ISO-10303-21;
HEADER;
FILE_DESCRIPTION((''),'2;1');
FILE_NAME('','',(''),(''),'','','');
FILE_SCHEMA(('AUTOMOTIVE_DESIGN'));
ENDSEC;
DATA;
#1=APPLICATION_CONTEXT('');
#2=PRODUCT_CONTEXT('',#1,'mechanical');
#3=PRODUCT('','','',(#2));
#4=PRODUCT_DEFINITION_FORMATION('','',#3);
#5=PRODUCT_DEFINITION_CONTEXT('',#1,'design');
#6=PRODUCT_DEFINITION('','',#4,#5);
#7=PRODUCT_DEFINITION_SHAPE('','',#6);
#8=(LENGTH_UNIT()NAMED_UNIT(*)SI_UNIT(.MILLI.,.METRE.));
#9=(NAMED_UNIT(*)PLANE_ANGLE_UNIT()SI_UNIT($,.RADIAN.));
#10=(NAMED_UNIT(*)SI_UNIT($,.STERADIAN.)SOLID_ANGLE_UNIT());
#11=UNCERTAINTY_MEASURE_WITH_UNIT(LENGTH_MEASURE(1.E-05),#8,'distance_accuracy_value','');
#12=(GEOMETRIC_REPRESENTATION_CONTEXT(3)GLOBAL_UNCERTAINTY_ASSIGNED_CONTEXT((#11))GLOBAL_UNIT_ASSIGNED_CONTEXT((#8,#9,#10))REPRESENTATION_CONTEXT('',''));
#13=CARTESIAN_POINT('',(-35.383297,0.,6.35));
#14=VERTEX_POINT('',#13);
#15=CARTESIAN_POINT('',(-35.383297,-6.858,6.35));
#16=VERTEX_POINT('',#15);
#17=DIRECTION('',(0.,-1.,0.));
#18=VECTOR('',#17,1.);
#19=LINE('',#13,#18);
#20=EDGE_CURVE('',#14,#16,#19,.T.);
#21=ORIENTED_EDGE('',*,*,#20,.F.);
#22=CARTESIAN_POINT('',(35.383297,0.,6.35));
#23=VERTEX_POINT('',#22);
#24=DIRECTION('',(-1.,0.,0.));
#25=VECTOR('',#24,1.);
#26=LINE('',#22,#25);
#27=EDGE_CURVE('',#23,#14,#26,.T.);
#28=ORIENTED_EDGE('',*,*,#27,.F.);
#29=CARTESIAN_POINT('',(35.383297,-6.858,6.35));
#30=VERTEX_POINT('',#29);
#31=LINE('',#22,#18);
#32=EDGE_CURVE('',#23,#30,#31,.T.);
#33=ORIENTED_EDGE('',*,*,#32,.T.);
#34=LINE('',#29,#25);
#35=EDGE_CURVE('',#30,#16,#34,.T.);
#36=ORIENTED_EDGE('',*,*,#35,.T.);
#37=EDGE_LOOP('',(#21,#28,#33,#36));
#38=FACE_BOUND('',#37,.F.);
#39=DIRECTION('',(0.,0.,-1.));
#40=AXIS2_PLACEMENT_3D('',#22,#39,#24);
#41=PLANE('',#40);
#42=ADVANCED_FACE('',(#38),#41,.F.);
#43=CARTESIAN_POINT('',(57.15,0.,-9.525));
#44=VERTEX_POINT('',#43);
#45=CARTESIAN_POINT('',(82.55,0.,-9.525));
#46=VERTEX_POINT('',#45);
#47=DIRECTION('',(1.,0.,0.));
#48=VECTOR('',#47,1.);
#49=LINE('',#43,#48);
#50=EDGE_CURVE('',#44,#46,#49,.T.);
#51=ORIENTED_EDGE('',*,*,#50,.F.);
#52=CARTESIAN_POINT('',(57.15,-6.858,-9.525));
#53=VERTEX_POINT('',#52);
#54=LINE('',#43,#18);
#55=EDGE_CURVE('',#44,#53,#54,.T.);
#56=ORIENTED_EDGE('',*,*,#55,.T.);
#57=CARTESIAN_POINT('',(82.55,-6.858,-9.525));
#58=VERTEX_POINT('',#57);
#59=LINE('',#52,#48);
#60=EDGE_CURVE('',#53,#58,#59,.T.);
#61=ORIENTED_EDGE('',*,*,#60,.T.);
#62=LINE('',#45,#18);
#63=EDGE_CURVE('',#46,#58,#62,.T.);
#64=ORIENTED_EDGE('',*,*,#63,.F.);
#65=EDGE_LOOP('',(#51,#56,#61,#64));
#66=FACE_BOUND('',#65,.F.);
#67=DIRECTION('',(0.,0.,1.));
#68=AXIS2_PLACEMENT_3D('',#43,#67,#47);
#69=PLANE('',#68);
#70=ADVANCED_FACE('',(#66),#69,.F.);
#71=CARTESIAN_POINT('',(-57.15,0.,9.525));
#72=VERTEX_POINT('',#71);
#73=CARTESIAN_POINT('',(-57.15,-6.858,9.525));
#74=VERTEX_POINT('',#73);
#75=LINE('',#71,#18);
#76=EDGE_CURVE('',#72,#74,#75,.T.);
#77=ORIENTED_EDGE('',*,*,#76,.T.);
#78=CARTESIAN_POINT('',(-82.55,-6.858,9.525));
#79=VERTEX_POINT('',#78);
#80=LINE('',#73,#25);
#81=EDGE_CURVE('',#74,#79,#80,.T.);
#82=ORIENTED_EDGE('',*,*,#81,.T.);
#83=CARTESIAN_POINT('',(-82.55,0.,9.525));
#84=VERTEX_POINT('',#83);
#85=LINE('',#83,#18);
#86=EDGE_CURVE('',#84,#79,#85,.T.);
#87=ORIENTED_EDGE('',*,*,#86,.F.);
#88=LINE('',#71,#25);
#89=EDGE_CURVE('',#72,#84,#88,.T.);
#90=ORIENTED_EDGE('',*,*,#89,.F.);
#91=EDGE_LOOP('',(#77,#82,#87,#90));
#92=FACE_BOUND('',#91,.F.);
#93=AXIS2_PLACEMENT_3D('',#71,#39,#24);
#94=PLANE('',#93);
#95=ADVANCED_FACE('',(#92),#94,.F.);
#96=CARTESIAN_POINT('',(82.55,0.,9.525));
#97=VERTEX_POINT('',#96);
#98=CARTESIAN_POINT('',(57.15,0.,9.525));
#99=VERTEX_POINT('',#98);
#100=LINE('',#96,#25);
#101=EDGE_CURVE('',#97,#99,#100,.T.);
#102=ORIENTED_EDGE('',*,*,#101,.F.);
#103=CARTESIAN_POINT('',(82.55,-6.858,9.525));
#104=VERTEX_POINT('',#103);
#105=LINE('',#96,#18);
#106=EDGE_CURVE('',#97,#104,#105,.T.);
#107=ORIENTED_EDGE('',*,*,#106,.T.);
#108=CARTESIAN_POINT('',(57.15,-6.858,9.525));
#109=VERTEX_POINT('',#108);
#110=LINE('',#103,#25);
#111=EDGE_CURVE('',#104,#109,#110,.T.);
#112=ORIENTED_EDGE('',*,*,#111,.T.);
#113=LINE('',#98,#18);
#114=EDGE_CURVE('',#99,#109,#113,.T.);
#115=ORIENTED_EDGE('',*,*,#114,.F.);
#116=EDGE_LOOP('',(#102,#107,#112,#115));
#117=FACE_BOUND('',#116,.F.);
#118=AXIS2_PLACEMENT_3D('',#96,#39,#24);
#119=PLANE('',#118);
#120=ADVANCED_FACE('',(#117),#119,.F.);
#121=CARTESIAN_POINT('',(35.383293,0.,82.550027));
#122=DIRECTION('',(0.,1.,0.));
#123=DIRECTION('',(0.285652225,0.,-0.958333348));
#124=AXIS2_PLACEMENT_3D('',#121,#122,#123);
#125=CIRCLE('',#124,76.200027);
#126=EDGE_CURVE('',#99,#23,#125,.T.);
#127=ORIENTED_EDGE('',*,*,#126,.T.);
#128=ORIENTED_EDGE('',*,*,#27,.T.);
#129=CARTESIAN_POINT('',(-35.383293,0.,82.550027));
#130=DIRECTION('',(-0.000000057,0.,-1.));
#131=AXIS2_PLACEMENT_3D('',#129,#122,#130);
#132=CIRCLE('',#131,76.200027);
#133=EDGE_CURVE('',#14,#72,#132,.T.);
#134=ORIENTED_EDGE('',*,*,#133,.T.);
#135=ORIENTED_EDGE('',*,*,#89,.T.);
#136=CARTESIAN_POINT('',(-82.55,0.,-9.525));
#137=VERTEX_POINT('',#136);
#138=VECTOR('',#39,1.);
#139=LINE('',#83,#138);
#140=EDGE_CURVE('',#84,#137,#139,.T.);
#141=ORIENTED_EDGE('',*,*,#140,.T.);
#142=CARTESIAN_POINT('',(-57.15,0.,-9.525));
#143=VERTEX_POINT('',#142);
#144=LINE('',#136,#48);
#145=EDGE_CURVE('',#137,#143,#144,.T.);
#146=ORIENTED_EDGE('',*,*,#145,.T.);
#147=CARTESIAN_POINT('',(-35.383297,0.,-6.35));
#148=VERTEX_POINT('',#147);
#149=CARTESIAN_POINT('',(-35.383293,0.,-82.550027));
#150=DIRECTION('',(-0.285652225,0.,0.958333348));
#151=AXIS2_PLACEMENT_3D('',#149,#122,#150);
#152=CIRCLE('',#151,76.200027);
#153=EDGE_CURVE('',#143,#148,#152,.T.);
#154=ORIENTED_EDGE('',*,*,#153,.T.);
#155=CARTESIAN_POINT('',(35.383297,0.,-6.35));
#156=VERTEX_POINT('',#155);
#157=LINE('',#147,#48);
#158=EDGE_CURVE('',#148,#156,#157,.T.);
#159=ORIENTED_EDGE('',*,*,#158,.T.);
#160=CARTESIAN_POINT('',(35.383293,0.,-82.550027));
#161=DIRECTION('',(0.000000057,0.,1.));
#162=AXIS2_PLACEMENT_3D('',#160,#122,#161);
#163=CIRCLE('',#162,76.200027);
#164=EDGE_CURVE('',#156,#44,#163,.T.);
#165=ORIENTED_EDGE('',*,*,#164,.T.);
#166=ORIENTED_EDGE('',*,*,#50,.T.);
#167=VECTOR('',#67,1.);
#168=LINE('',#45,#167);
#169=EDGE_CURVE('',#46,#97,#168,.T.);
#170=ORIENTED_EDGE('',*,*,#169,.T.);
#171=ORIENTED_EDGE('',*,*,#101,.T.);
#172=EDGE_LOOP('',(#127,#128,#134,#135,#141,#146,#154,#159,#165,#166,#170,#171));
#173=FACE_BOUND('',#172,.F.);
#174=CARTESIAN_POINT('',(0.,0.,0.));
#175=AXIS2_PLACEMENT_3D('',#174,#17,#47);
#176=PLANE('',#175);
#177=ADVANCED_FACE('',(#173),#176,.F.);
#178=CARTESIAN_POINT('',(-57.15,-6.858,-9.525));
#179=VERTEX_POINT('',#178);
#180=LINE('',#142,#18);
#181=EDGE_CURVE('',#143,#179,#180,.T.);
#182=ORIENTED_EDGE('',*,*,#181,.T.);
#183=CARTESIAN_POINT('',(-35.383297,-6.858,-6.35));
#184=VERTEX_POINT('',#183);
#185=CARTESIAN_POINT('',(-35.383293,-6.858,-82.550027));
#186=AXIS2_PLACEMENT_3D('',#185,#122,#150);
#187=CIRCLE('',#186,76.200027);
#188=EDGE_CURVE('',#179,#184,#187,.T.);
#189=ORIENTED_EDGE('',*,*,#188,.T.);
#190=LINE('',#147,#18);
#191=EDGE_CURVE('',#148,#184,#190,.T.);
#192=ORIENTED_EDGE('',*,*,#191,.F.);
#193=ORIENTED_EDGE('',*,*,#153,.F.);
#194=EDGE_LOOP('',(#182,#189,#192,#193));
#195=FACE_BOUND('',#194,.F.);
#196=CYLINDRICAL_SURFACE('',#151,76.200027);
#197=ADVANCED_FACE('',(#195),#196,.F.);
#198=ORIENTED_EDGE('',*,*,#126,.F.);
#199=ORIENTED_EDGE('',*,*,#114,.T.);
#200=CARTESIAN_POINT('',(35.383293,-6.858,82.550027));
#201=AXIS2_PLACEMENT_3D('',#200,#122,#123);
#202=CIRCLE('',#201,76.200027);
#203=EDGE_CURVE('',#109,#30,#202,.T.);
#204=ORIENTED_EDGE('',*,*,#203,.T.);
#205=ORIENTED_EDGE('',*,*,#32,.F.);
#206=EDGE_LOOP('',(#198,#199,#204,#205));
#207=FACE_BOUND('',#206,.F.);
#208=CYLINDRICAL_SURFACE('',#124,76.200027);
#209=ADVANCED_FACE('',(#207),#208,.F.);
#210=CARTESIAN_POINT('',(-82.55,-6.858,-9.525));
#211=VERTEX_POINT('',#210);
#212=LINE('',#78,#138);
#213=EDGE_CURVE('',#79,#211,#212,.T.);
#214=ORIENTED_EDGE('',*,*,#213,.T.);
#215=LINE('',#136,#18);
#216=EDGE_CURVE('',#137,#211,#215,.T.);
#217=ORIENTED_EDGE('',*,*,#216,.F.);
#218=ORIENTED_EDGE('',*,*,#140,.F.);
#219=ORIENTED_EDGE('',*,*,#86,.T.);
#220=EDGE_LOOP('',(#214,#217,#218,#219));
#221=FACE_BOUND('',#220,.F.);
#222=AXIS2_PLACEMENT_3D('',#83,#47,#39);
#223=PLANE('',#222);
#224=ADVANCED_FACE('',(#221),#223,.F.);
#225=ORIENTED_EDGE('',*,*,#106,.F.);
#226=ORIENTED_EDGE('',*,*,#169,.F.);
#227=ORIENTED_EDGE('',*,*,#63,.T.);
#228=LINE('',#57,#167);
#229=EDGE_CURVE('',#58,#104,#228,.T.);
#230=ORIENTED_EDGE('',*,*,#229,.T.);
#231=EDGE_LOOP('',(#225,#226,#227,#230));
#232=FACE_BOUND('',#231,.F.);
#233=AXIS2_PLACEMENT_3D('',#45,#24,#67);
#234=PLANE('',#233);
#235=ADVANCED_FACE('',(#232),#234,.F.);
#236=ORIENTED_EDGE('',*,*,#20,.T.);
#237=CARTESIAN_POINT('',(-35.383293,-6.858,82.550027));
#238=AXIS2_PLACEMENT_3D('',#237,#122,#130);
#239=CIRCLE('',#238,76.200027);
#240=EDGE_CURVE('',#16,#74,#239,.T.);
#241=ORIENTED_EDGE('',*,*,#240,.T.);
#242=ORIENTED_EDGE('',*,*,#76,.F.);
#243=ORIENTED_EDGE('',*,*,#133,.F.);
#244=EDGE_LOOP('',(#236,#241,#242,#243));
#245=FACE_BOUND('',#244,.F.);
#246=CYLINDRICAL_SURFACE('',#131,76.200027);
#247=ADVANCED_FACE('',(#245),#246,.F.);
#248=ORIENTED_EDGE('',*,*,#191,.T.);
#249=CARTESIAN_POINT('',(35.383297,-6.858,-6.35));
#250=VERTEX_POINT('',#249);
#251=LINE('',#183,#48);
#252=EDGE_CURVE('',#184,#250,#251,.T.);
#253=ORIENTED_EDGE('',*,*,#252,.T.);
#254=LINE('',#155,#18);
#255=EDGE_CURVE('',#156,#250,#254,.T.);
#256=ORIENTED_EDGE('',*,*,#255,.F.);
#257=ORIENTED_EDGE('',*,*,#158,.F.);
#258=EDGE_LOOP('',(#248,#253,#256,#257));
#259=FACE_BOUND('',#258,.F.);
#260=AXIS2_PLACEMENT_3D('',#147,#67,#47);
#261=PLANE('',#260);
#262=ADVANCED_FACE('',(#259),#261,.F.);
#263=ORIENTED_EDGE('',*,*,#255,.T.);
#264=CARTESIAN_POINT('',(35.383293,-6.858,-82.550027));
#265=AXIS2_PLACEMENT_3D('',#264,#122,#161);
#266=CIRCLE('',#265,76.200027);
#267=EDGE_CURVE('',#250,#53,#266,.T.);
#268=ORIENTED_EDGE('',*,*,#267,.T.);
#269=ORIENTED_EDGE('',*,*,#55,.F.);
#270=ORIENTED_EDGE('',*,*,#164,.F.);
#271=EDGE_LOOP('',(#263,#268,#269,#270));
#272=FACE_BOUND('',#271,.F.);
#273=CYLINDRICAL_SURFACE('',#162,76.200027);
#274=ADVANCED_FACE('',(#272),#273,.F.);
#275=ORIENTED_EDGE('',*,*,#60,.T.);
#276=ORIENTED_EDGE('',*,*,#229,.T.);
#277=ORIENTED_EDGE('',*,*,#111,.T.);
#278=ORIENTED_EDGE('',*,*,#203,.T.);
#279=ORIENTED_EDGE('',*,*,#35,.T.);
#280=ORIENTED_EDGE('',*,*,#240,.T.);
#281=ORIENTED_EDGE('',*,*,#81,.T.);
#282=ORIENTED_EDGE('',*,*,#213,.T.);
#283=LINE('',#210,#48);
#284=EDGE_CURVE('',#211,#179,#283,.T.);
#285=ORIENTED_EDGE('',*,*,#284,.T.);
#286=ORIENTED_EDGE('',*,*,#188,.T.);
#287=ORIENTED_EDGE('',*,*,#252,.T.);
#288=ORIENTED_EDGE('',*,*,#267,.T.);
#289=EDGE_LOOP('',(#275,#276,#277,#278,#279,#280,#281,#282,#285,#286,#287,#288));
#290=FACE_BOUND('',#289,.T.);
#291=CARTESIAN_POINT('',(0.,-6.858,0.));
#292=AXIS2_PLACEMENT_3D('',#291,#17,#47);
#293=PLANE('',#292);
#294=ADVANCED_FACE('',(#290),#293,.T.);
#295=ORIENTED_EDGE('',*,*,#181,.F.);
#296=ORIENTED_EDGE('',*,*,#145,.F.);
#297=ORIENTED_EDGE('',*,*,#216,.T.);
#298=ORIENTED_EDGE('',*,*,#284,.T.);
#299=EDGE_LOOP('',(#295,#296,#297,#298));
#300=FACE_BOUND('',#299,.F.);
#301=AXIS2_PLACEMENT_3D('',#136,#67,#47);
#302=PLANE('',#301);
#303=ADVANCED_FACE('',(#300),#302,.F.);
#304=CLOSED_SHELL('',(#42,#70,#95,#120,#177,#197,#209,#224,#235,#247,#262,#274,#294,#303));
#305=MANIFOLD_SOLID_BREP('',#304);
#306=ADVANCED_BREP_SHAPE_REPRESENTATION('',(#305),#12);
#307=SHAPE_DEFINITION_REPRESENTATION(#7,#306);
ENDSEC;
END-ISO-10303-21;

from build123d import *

# Parameters (mm, degrees)
F1_DEPTH = 6.858


with BuildPart() as f1:
    # F0 (on Front) → F1 (new body)
    with BuildSketch(Plane.XZ):
        with BuildLine():
            Line((35.383297, 6.35), (0, 6.35))
            Line((0, 6.35), (-35.383297, 6.35))
            ThreePointArc((-35.383297, 6.35), (-46.381819, 7.147928), (-57.15, 9.525))
            Line((-57.15, 9.525), (-82.55, 9.525))
            Line((-82.55, 9.525), (-82.55, -9.525))
            Line((-82.55, -9.525), (-57.15, -9.525))
            ThreePointArc((-57.15, -9.525), (-46.381819, -7.147928), (-35.383297, -6.35))
            Line((-35.383297, -6.35), (0, -6.35))
            Line((0, -6.35), (35.383297, -6.35))
            ThreePointArc((35.383297, -6.35), (46.381819, -7.147928), (57.15, -9.525))
            Line((57.15, -9.525), (82.55, -9.525))
            Line((82.55, -9.525), (82.55, 9.525))
            Line((82.55, 9.525), (57.15, 9.525))
            ThreePointArc((57.15, 9.525), (46.381819, 7.147928), (35.383297, 6.35))
        make_face()
    extrude(amount=F1_DEPTH)


solid = f1.part
